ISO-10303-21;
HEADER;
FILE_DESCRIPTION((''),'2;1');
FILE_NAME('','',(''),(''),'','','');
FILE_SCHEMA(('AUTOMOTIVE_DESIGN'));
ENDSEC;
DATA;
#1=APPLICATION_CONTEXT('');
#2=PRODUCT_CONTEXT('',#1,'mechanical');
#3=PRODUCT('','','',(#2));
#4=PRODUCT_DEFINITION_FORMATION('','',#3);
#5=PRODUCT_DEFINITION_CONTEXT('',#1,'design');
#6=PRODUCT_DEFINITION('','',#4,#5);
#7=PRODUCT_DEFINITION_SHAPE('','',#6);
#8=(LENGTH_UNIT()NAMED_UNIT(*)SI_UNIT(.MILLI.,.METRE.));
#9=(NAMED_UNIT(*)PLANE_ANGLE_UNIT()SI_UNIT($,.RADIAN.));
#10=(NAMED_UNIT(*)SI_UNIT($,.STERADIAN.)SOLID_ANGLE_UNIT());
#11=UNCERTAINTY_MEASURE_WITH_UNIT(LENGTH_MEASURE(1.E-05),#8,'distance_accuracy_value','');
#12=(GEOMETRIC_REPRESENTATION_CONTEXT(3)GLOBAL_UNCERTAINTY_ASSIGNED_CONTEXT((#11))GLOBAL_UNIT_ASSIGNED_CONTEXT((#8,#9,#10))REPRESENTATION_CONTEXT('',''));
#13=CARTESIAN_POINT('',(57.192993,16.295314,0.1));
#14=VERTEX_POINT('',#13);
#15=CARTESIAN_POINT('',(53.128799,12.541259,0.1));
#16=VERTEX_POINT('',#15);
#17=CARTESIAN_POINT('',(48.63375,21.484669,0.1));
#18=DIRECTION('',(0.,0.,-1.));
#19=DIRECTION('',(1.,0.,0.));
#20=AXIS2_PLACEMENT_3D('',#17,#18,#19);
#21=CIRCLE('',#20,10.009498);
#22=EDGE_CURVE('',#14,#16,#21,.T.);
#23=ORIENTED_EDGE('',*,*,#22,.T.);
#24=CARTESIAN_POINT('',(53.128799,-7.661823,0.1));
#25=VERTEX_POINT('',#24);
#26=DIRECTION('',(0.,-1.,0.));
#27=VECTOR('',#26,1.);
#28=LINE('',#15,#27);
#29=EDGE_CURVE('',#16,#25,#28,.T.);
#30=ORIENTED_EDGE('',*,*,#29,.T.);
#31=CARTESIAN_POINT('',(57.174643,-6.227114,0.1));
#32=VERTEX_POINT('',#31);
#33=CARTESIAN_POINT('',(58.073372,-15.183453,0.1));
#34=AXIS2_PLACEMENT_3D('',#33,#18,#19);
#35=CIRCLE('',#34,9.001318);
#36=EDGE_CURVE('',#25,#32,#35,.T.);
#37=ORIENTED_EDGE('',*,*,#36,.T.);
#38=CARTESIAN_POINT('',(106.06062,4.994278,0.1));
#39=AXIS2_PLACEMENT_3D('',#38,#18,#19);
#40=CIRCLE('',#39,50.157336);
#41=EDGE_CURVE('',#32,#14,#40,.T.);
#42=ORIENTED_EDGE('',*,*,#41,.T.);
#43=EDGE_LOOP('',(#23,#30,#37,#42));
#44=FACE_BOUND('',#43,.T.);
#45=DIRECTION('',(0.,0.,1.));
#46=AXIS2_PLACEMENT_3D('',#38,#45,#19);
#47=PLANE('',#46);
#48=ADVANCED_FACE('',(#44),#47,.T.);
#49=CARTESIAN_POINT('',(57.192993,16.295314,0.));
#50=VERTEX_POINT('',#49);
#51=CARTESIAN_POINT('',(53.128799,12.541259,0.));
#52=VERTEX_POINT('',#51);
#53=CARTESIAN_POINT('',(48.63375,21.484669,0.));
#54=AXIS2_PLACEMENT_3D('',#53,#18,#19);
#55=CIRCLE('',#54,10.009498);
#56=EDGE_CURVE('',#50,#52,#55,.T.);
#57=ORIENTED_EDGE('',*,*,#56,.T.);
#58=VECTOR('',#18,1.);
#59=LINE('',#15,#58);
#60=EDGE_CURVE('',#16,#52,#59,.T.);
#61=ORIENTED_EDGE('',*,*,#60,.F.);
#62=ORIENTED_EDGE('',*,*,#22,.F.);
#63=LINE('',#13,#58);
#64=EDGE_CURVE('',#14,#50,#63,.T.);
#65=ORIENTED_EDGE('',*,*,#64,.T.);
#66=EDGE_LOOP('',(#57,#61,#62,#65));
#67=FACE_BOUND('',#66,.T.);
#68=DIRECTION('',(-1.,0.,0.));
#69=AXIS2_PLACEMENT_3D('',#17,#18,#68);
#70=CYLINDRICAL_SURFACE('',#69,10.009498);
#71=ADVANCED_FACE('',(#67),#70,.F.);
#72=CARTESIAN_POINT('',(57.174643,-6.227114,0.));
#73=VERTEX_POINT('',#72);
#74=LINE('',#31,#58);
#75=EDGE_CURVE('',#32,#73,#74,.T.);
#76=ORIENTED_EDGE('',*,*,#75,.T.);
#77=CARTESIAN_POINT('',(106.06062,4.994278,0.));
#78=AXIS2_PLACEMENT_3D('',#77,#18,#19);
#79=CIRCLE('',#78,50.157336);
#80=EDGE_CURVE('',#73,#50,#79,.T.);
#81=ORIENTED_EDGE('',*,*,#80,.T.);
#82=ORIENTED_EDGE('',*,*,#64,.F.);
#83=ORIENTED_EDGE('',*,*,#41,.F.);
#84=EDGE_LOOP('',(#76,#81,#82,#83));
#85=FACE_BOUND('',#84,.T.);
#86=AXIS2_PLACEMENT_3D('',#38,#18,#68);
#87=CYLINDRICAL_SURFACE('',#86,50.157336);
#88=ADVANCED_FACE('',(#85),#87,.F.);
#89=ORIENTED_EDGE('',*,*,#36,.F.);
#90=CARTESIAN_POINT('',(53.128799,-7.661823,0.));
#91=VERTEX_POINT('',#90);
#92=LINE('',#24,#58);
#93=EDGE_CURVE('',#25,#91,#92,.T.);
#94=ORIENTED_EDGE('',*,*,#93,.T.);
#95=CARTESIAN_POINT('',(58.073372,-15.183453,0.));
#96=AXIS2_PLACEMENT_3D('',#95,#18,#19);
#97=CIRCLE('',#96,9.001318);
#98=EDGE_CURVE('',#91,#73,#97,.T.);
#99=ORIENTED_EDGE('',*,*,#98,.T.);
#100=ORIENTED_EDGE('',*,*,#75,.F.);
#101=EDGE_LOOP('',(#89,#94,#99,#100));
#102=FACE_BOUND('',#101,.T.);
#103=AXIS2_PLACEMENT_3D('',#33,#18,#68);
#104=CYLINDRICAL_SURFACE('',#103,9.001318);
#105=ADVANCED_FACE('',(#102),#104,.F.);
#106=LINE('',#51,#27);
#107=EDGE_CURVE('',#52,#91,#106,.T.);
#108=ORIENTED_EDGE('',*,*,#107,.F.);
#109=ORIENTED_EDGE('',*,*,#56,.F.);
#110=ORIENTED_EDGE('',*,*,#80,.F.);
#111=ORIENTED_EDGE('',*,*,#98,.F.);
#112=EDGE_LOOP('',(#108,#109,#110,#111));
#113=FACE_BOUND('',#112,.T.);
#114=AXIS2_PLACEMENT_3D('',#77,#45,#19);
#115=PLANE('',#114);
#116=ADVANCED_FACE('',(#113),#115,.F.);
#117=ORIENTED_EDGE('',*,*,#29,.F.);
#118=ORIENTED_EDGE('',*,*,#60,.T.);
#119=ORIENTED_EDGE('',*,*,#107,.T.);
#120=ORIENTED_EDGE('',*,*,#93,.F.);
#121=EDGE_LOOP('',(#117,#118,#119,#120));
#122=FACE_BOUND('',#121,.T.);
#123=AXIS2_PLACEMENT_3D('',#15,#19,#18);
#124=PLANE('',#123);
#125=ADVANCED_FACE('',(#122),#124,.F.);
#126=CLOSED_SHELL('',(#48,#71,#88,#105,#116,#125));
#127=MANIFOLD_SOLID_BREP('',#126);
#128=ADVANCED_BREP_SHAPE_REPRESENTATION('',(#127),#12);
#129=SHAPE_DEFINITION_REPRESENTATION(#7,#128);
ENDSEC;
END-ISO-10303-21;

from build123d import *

# Parameters (mm, degrees)
SALIENTE_EXTRUIR1_DEPTH = 0.1


with BuildPart() as part:
    # Model → Saliente-Extruir1 (new body)
    with BuildSketch(Plane.XY):
        with BuildLine():
            Line((53.128798906, 12.541258878), (53.128798906, -7.661823012))
            ThreePointArc((53.128798906, -7.661823012), (55.064943579, -6.69975803), (57.174643265, -6.22711392))
            ThreePointArc((57.174643265, -6.22711392), (55.903300558, 5.035143254), (57.192993112, 16.295313858))
            ThreePointArc((57.192993112, 16.295313858), (55.425426316, 14.131902033), (53.128798906, 12.541258878))
        make_face()
    extrude(amount=SALIENTE_EXTRUIR1_DEPTH)


solid = part.part
